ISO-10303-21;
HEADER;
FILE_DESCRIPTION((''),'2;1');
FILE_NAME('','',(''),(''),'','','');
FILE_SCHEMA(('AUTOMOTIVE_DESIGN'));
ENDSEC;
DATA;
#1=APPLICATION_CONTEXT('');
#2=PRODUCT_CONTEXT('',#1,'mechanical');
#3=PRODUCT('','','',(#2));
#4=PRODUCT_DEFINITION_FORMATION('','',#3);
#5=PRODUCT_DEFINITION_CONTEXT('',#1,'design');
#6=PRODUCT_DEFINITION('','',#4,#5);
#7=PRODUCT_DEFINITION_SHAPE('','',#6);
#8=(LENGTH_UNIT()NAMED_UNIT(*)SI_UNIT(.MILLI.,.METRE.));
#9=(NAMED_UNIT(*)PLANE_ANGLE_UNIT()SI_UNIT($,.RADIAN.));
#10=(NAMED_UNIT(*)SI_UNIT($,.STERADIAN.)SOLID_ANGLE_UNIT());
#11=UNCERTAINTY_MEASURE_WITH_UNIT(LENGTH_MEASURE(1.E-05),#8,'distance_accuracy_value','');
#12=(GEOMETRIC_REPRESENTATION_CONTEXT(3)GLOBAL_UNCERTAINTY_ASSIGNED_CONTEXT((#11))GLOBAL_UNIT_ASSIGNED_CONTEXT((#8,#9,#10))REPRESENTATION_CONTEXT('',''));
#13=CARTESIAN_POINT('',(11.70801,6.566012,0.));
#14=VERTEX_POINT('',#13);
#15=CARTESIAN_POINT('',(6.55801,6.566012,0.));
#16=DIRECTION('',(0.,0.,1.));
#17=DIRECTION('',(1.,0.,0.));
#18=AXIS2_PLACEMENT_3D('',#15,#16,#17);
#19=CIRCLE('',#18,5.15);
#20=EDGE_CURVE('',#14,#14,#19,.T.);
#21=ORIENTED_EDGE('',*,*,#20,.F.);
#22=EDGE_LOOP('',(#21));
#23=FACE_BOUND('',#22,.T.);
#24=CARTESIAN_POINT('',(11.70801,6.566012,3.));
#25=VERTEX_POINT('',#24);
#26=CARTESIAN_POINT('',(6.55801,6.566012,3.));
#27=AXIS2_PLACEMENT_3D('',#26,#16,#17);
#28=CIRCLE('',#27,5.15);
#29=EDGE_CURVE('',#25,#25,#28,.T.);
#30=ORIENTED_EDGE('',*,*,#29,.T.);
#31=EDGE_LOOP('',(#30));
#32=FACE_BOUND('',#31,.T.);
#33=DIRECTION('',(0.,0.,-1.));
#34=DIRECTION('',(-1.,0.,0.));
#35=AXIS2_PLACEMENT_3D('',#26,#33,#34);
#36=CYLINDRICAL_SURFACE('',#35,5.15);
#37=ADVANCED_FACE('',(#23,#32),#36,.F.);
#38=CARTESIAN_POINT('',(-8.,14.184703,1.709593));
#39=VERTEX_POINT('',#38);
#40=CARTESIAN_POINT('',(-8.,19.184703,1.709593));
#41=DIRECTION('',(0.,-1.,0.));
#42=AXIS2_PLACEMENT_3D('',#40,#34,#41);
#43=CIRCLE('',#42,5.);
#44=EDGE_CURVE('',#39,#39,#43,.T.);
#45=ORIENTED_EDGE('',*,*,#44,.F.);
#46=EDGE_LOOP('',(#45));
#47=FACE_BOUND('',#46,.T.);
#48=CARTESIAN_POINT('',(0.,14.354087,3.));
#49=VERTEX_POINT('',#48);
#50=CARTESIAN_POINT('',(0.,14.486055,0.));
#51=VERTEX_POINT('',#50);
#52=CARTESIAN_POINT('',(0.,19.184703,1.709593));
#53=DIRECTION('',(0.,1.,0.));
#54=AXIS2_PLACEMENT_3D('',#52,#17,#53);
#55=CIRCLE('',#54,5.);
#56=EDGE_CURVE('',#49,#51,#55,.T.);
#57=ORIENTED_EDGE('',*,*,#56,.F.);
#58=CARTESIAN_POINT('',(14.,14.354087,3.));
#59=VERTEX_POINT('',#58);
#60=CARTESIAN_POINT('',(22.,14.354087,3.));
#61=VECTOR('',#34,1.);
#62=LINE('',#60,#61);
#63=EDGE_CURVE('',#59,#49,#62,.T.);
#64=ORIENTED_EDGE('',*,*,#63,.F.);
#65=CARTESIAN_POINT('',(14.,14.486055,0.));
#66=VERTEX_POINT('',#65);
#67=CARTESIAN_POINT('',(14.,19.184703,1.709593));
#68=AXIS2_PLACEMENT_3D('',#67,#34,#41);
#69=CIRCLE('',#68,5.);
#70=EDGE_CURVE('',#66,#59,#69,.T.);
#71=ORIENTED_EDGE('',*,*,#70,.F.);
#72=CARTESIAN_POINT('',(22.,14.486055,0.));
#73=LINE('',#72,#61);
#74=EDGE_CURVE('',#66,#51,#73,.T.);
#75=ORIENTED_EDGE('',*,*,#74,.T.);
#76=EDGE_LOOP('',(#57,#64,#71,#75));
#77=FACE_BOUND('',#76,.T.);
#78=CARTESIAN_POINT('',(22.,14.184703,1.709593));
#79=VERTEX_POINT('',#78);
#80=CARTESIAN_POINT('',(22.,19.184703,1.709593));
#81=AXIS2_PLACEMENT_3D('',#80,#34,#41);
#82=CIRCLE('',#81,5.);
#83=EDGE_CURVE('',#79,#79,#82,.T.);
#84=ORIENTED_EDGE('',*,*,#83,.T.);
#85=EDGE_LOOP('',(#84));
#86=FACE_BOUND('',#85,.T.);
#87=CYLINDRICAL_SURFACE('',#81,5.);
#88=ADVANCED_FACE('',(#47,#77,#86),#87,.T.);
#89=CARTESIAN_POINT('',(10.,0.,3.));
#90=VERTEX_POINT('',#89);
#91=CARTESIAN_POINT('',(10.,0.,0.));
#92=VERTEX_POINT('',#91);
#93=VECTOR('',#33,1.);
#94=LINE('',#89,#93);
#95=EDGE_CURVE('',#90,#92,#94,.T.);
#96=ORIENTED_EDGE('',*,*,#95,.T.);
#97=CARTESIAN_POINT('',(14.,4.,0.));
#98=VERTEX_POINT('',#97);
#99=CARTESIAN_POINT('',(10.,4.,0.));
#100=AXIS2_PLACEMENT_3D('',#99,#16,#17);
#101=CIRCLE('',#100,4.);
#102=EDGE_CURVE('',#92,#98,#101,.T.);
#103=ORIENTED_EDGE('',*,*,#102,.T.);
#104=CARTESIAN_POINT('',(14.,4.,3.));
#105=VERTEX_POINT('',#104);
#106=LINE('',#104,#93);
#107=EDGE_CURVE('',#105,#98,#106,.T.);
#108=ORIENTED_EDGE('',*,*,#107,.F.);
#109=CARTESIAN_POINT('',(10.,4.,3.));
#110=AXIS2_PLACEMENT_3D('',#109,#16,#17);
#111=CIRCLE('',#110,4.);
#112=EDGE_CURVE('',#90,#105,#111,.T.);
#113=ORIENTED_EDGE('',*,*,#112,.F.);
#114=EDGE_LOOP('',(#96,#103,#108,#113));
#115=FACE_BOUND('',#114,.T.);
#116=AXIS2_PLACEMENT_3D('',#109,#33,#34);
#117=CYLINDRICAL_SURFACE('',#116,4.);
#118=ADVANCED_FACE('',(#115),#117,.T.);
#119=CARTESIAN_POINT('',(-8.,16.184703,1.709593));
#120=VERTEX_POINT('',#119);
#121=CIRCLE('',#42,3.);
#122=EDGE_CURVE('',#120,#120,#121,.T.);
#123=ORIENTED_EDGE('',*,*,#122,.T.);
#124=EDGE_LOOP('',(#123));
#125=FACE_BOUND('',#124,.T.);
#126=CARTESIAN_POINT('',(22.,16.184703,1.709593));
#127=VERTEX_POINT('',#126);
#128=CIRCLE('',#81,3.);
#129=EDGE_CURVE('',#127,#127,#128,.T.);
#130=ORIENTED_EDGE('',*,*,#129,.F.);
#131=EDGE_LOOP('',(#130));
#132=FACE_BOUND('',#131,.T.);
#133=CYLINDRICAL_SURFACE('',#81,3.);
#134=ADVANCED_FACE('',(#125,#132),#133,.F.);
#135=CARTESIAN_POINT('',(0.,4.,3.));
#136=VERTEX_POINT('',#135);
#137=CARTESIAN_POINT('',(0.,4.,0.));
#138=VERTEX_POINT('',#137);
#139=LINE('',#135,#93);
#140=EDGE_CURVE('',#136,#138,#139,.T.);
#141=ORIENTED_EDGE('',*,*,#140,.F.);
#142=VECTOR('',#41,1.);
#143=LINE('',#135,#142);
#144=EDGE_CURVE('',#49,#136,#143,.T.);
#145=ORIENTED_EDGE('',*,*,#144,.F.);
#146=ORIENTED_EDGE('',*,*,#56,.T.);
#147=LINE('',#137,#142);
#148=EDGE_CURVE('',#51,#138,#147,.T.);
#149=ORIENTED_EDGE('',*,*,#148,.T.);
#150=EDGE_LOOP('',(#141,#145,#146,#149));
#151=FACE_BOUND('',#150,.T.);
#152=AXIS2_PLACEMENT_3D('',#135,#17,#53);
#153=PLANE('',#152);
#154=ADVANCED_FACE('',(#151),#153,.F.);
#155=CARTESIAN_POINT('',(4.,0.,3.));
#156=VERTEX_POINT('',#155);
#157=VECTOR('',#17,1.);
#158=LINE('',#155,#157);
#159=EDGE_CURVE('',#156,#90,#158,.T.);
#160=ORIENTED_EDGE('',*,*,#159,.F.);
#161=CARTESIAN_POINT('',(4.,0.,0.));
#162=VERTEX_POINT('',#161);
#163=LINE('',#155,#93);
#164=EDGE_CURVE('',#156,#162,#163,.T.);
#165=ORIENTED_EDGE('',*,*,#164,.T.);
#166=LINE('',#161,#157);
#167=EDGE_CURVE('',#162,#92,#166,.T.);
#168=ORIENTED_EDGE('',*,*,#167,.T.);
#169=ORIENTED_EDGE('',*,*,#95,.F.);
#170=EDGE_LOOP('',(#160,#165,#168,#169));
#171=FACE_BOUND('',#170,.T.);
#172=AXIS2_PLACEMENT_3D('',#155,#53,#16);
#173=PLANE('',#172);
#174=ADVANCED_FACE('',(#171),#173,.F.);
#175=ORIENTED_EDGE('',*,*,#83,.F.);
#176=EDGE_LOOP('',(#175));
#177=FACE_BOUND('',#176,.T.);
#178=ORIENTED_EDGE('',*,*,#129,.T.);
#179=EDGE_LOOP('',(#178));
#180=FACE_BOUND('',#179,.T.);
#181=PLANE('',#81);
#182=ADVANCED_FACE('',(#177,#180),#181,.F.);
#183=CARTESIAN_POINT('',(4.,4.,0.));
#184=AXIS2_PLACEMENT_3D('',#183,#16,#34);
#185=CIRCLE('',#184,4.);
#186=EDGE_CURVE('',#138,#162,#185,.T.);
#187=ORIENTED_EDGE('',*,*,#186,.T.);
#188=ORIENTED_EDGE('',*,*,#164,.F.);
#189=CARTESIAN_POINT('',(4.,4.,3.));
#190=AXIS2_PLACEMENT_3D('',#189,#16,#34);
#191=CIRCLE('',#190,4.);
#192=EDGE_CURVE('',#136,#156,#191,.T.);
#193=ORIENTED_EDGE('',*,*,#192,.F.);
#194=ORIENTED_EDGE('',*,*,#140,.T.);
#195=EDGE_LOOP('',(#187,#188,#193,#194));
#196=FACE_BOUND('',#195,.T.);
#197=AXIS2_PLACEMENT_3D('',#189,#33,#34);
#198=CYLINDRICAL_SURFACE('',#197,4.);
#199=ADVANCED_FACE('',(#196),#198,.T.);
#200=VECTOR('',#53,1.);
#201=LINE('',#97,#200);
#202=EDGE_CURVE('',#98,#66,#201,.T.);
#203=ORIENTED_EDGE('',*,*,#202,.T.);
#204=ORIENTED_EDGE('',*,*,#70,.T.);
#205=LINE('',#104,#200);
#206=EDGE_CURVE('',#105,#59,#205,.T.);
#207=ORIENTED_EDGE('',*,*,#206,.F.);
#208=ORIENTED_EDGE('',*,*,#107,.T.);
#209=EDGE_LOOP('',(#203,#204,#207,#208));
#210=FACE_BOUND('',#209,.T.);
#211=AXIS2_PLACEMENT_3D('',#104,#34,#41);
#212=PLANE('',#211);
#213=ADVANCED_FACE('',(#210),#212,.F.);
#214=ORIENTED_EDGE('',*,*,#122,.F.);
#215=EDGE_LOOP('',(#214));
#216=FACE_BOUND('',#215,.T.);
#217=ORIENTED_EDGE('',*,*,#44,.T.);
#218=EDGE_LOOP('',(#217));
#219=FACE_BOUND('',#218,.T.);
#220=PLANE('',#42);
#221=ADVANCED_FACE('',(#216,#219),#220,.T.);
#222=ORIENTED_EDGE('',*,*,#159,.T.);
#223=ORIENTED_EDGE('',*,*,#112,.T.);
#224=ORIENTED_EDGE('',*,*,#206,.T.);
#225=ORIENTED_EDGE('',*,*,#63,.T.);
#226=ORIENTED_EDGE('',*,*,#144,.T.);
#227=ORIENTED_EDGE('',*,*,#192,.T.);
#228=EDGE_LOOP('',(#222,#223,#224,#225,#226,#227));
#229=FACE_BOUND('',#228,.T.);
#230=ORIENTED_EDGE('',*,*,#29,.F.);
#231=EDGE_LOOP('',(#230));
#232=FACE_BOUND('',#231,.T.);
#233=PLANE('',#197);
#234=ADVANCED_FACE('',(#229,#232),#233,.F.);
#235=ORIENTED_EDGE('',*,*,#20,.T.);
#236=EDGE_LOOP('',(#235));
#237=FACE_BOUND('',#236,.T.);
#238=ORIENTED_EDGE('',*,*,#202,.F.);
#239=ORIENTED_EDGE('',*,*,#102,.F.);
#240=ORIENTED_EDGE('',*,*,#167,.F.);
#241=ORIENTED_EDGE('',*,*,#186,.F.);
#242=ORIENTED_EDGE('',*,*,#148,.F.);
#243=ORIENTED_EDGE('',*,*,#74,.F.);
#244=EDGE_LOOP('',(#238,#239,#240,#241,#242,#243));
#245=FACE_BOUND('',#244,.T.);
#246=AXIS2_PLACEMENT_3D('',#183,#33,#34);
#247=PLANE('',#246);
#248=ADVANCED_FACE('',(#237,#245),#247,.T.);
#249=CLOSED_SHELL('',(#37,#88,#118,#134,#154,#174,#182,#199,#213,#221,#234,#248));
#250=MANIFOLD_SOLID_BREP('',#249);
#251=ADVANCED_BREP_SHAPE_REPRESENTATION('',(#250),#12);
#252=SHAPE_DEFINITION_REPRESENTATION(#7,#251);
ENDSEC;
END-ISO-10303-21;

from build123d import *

# Parameters (mm, degrees)
SKETCH2_R                = 5.15
BOSS_EXTRUDE1_DEPTH      = 3
SKETCH3_R                = 5
SKETCH3_R_2              = 3
BOSS_EXTRUDE2_DEPTH      = 15
BOSS_EXTRUDE2_DEPTH_BACK = 15
SKETCH5_R                = 3
CUT_EXTRUDE1_DEPTH       = 31.0000001


with BuildPart() as part:
    # Sketch2 → Boss-Extrude1 (new body)
    with BuildSketch(Plane.XY):
        with BuildLine():
            Line((4, 0), (10, 0))
            ThreePointArc((10, 0), (12.828427125, 1.171572875), (14, 4))
            Line((14, 4), (14, 16))
            ThreePointArc((14, 16), (12.828427125, 18.828427125), (10, 20))
            Line((10, 20), (4, 20))
            ThreePointArc((4, 20), (1.171572875, 18.828427125), (0, 16))
            Line((0, 16), (0, 4))
            ThreePointArc((0, 4), (1.171572875, 1.171572875), (4, 0))
        make_face()
        with Locations((6.558010351, 6.566011985)):
            Circle(SKETCH2_R, mode=Mode.SUBTRACT)
    extrude(amount=BOSS_EXTRUDE1_DEPTH)

    # Sketch3 → Boss-Extrude2 (add, two sides)
    with BuildSketch(Plane.ZY.offset(-7)) as boss_extrude2_sk:
        with Locations((1.709593121, 19.184703003)):
            Circle(SKETCH3_R)
        with Locations((1.709593121, 19.184703003)):
            Circle(SKETCH3_R_2, mode=Mode.SUBTRACT)
    extrude(amount=BOSS_EXTRUDE2_DEPTH)
    extrude(boss_extrude2_sk.sketch, amount=-BOSS_EXTRUDE2_DEPTH_BACK)

    # Sketch5 → Cut-Extrude1 (cut, through all)
    with BuildSketch(Plane(origin=(22, 0, 0), x_dir=(0, 0, -1), z_dir=(1, 0, 0))):
        with Locations((-1.709593121, 19.184703003)):
            Circle(SKETCH5_R)
    extrude(amount=-CUT_EXTRUDE1_DEPTH, mode=Mode.SUBTRACT)


solid = part.part
